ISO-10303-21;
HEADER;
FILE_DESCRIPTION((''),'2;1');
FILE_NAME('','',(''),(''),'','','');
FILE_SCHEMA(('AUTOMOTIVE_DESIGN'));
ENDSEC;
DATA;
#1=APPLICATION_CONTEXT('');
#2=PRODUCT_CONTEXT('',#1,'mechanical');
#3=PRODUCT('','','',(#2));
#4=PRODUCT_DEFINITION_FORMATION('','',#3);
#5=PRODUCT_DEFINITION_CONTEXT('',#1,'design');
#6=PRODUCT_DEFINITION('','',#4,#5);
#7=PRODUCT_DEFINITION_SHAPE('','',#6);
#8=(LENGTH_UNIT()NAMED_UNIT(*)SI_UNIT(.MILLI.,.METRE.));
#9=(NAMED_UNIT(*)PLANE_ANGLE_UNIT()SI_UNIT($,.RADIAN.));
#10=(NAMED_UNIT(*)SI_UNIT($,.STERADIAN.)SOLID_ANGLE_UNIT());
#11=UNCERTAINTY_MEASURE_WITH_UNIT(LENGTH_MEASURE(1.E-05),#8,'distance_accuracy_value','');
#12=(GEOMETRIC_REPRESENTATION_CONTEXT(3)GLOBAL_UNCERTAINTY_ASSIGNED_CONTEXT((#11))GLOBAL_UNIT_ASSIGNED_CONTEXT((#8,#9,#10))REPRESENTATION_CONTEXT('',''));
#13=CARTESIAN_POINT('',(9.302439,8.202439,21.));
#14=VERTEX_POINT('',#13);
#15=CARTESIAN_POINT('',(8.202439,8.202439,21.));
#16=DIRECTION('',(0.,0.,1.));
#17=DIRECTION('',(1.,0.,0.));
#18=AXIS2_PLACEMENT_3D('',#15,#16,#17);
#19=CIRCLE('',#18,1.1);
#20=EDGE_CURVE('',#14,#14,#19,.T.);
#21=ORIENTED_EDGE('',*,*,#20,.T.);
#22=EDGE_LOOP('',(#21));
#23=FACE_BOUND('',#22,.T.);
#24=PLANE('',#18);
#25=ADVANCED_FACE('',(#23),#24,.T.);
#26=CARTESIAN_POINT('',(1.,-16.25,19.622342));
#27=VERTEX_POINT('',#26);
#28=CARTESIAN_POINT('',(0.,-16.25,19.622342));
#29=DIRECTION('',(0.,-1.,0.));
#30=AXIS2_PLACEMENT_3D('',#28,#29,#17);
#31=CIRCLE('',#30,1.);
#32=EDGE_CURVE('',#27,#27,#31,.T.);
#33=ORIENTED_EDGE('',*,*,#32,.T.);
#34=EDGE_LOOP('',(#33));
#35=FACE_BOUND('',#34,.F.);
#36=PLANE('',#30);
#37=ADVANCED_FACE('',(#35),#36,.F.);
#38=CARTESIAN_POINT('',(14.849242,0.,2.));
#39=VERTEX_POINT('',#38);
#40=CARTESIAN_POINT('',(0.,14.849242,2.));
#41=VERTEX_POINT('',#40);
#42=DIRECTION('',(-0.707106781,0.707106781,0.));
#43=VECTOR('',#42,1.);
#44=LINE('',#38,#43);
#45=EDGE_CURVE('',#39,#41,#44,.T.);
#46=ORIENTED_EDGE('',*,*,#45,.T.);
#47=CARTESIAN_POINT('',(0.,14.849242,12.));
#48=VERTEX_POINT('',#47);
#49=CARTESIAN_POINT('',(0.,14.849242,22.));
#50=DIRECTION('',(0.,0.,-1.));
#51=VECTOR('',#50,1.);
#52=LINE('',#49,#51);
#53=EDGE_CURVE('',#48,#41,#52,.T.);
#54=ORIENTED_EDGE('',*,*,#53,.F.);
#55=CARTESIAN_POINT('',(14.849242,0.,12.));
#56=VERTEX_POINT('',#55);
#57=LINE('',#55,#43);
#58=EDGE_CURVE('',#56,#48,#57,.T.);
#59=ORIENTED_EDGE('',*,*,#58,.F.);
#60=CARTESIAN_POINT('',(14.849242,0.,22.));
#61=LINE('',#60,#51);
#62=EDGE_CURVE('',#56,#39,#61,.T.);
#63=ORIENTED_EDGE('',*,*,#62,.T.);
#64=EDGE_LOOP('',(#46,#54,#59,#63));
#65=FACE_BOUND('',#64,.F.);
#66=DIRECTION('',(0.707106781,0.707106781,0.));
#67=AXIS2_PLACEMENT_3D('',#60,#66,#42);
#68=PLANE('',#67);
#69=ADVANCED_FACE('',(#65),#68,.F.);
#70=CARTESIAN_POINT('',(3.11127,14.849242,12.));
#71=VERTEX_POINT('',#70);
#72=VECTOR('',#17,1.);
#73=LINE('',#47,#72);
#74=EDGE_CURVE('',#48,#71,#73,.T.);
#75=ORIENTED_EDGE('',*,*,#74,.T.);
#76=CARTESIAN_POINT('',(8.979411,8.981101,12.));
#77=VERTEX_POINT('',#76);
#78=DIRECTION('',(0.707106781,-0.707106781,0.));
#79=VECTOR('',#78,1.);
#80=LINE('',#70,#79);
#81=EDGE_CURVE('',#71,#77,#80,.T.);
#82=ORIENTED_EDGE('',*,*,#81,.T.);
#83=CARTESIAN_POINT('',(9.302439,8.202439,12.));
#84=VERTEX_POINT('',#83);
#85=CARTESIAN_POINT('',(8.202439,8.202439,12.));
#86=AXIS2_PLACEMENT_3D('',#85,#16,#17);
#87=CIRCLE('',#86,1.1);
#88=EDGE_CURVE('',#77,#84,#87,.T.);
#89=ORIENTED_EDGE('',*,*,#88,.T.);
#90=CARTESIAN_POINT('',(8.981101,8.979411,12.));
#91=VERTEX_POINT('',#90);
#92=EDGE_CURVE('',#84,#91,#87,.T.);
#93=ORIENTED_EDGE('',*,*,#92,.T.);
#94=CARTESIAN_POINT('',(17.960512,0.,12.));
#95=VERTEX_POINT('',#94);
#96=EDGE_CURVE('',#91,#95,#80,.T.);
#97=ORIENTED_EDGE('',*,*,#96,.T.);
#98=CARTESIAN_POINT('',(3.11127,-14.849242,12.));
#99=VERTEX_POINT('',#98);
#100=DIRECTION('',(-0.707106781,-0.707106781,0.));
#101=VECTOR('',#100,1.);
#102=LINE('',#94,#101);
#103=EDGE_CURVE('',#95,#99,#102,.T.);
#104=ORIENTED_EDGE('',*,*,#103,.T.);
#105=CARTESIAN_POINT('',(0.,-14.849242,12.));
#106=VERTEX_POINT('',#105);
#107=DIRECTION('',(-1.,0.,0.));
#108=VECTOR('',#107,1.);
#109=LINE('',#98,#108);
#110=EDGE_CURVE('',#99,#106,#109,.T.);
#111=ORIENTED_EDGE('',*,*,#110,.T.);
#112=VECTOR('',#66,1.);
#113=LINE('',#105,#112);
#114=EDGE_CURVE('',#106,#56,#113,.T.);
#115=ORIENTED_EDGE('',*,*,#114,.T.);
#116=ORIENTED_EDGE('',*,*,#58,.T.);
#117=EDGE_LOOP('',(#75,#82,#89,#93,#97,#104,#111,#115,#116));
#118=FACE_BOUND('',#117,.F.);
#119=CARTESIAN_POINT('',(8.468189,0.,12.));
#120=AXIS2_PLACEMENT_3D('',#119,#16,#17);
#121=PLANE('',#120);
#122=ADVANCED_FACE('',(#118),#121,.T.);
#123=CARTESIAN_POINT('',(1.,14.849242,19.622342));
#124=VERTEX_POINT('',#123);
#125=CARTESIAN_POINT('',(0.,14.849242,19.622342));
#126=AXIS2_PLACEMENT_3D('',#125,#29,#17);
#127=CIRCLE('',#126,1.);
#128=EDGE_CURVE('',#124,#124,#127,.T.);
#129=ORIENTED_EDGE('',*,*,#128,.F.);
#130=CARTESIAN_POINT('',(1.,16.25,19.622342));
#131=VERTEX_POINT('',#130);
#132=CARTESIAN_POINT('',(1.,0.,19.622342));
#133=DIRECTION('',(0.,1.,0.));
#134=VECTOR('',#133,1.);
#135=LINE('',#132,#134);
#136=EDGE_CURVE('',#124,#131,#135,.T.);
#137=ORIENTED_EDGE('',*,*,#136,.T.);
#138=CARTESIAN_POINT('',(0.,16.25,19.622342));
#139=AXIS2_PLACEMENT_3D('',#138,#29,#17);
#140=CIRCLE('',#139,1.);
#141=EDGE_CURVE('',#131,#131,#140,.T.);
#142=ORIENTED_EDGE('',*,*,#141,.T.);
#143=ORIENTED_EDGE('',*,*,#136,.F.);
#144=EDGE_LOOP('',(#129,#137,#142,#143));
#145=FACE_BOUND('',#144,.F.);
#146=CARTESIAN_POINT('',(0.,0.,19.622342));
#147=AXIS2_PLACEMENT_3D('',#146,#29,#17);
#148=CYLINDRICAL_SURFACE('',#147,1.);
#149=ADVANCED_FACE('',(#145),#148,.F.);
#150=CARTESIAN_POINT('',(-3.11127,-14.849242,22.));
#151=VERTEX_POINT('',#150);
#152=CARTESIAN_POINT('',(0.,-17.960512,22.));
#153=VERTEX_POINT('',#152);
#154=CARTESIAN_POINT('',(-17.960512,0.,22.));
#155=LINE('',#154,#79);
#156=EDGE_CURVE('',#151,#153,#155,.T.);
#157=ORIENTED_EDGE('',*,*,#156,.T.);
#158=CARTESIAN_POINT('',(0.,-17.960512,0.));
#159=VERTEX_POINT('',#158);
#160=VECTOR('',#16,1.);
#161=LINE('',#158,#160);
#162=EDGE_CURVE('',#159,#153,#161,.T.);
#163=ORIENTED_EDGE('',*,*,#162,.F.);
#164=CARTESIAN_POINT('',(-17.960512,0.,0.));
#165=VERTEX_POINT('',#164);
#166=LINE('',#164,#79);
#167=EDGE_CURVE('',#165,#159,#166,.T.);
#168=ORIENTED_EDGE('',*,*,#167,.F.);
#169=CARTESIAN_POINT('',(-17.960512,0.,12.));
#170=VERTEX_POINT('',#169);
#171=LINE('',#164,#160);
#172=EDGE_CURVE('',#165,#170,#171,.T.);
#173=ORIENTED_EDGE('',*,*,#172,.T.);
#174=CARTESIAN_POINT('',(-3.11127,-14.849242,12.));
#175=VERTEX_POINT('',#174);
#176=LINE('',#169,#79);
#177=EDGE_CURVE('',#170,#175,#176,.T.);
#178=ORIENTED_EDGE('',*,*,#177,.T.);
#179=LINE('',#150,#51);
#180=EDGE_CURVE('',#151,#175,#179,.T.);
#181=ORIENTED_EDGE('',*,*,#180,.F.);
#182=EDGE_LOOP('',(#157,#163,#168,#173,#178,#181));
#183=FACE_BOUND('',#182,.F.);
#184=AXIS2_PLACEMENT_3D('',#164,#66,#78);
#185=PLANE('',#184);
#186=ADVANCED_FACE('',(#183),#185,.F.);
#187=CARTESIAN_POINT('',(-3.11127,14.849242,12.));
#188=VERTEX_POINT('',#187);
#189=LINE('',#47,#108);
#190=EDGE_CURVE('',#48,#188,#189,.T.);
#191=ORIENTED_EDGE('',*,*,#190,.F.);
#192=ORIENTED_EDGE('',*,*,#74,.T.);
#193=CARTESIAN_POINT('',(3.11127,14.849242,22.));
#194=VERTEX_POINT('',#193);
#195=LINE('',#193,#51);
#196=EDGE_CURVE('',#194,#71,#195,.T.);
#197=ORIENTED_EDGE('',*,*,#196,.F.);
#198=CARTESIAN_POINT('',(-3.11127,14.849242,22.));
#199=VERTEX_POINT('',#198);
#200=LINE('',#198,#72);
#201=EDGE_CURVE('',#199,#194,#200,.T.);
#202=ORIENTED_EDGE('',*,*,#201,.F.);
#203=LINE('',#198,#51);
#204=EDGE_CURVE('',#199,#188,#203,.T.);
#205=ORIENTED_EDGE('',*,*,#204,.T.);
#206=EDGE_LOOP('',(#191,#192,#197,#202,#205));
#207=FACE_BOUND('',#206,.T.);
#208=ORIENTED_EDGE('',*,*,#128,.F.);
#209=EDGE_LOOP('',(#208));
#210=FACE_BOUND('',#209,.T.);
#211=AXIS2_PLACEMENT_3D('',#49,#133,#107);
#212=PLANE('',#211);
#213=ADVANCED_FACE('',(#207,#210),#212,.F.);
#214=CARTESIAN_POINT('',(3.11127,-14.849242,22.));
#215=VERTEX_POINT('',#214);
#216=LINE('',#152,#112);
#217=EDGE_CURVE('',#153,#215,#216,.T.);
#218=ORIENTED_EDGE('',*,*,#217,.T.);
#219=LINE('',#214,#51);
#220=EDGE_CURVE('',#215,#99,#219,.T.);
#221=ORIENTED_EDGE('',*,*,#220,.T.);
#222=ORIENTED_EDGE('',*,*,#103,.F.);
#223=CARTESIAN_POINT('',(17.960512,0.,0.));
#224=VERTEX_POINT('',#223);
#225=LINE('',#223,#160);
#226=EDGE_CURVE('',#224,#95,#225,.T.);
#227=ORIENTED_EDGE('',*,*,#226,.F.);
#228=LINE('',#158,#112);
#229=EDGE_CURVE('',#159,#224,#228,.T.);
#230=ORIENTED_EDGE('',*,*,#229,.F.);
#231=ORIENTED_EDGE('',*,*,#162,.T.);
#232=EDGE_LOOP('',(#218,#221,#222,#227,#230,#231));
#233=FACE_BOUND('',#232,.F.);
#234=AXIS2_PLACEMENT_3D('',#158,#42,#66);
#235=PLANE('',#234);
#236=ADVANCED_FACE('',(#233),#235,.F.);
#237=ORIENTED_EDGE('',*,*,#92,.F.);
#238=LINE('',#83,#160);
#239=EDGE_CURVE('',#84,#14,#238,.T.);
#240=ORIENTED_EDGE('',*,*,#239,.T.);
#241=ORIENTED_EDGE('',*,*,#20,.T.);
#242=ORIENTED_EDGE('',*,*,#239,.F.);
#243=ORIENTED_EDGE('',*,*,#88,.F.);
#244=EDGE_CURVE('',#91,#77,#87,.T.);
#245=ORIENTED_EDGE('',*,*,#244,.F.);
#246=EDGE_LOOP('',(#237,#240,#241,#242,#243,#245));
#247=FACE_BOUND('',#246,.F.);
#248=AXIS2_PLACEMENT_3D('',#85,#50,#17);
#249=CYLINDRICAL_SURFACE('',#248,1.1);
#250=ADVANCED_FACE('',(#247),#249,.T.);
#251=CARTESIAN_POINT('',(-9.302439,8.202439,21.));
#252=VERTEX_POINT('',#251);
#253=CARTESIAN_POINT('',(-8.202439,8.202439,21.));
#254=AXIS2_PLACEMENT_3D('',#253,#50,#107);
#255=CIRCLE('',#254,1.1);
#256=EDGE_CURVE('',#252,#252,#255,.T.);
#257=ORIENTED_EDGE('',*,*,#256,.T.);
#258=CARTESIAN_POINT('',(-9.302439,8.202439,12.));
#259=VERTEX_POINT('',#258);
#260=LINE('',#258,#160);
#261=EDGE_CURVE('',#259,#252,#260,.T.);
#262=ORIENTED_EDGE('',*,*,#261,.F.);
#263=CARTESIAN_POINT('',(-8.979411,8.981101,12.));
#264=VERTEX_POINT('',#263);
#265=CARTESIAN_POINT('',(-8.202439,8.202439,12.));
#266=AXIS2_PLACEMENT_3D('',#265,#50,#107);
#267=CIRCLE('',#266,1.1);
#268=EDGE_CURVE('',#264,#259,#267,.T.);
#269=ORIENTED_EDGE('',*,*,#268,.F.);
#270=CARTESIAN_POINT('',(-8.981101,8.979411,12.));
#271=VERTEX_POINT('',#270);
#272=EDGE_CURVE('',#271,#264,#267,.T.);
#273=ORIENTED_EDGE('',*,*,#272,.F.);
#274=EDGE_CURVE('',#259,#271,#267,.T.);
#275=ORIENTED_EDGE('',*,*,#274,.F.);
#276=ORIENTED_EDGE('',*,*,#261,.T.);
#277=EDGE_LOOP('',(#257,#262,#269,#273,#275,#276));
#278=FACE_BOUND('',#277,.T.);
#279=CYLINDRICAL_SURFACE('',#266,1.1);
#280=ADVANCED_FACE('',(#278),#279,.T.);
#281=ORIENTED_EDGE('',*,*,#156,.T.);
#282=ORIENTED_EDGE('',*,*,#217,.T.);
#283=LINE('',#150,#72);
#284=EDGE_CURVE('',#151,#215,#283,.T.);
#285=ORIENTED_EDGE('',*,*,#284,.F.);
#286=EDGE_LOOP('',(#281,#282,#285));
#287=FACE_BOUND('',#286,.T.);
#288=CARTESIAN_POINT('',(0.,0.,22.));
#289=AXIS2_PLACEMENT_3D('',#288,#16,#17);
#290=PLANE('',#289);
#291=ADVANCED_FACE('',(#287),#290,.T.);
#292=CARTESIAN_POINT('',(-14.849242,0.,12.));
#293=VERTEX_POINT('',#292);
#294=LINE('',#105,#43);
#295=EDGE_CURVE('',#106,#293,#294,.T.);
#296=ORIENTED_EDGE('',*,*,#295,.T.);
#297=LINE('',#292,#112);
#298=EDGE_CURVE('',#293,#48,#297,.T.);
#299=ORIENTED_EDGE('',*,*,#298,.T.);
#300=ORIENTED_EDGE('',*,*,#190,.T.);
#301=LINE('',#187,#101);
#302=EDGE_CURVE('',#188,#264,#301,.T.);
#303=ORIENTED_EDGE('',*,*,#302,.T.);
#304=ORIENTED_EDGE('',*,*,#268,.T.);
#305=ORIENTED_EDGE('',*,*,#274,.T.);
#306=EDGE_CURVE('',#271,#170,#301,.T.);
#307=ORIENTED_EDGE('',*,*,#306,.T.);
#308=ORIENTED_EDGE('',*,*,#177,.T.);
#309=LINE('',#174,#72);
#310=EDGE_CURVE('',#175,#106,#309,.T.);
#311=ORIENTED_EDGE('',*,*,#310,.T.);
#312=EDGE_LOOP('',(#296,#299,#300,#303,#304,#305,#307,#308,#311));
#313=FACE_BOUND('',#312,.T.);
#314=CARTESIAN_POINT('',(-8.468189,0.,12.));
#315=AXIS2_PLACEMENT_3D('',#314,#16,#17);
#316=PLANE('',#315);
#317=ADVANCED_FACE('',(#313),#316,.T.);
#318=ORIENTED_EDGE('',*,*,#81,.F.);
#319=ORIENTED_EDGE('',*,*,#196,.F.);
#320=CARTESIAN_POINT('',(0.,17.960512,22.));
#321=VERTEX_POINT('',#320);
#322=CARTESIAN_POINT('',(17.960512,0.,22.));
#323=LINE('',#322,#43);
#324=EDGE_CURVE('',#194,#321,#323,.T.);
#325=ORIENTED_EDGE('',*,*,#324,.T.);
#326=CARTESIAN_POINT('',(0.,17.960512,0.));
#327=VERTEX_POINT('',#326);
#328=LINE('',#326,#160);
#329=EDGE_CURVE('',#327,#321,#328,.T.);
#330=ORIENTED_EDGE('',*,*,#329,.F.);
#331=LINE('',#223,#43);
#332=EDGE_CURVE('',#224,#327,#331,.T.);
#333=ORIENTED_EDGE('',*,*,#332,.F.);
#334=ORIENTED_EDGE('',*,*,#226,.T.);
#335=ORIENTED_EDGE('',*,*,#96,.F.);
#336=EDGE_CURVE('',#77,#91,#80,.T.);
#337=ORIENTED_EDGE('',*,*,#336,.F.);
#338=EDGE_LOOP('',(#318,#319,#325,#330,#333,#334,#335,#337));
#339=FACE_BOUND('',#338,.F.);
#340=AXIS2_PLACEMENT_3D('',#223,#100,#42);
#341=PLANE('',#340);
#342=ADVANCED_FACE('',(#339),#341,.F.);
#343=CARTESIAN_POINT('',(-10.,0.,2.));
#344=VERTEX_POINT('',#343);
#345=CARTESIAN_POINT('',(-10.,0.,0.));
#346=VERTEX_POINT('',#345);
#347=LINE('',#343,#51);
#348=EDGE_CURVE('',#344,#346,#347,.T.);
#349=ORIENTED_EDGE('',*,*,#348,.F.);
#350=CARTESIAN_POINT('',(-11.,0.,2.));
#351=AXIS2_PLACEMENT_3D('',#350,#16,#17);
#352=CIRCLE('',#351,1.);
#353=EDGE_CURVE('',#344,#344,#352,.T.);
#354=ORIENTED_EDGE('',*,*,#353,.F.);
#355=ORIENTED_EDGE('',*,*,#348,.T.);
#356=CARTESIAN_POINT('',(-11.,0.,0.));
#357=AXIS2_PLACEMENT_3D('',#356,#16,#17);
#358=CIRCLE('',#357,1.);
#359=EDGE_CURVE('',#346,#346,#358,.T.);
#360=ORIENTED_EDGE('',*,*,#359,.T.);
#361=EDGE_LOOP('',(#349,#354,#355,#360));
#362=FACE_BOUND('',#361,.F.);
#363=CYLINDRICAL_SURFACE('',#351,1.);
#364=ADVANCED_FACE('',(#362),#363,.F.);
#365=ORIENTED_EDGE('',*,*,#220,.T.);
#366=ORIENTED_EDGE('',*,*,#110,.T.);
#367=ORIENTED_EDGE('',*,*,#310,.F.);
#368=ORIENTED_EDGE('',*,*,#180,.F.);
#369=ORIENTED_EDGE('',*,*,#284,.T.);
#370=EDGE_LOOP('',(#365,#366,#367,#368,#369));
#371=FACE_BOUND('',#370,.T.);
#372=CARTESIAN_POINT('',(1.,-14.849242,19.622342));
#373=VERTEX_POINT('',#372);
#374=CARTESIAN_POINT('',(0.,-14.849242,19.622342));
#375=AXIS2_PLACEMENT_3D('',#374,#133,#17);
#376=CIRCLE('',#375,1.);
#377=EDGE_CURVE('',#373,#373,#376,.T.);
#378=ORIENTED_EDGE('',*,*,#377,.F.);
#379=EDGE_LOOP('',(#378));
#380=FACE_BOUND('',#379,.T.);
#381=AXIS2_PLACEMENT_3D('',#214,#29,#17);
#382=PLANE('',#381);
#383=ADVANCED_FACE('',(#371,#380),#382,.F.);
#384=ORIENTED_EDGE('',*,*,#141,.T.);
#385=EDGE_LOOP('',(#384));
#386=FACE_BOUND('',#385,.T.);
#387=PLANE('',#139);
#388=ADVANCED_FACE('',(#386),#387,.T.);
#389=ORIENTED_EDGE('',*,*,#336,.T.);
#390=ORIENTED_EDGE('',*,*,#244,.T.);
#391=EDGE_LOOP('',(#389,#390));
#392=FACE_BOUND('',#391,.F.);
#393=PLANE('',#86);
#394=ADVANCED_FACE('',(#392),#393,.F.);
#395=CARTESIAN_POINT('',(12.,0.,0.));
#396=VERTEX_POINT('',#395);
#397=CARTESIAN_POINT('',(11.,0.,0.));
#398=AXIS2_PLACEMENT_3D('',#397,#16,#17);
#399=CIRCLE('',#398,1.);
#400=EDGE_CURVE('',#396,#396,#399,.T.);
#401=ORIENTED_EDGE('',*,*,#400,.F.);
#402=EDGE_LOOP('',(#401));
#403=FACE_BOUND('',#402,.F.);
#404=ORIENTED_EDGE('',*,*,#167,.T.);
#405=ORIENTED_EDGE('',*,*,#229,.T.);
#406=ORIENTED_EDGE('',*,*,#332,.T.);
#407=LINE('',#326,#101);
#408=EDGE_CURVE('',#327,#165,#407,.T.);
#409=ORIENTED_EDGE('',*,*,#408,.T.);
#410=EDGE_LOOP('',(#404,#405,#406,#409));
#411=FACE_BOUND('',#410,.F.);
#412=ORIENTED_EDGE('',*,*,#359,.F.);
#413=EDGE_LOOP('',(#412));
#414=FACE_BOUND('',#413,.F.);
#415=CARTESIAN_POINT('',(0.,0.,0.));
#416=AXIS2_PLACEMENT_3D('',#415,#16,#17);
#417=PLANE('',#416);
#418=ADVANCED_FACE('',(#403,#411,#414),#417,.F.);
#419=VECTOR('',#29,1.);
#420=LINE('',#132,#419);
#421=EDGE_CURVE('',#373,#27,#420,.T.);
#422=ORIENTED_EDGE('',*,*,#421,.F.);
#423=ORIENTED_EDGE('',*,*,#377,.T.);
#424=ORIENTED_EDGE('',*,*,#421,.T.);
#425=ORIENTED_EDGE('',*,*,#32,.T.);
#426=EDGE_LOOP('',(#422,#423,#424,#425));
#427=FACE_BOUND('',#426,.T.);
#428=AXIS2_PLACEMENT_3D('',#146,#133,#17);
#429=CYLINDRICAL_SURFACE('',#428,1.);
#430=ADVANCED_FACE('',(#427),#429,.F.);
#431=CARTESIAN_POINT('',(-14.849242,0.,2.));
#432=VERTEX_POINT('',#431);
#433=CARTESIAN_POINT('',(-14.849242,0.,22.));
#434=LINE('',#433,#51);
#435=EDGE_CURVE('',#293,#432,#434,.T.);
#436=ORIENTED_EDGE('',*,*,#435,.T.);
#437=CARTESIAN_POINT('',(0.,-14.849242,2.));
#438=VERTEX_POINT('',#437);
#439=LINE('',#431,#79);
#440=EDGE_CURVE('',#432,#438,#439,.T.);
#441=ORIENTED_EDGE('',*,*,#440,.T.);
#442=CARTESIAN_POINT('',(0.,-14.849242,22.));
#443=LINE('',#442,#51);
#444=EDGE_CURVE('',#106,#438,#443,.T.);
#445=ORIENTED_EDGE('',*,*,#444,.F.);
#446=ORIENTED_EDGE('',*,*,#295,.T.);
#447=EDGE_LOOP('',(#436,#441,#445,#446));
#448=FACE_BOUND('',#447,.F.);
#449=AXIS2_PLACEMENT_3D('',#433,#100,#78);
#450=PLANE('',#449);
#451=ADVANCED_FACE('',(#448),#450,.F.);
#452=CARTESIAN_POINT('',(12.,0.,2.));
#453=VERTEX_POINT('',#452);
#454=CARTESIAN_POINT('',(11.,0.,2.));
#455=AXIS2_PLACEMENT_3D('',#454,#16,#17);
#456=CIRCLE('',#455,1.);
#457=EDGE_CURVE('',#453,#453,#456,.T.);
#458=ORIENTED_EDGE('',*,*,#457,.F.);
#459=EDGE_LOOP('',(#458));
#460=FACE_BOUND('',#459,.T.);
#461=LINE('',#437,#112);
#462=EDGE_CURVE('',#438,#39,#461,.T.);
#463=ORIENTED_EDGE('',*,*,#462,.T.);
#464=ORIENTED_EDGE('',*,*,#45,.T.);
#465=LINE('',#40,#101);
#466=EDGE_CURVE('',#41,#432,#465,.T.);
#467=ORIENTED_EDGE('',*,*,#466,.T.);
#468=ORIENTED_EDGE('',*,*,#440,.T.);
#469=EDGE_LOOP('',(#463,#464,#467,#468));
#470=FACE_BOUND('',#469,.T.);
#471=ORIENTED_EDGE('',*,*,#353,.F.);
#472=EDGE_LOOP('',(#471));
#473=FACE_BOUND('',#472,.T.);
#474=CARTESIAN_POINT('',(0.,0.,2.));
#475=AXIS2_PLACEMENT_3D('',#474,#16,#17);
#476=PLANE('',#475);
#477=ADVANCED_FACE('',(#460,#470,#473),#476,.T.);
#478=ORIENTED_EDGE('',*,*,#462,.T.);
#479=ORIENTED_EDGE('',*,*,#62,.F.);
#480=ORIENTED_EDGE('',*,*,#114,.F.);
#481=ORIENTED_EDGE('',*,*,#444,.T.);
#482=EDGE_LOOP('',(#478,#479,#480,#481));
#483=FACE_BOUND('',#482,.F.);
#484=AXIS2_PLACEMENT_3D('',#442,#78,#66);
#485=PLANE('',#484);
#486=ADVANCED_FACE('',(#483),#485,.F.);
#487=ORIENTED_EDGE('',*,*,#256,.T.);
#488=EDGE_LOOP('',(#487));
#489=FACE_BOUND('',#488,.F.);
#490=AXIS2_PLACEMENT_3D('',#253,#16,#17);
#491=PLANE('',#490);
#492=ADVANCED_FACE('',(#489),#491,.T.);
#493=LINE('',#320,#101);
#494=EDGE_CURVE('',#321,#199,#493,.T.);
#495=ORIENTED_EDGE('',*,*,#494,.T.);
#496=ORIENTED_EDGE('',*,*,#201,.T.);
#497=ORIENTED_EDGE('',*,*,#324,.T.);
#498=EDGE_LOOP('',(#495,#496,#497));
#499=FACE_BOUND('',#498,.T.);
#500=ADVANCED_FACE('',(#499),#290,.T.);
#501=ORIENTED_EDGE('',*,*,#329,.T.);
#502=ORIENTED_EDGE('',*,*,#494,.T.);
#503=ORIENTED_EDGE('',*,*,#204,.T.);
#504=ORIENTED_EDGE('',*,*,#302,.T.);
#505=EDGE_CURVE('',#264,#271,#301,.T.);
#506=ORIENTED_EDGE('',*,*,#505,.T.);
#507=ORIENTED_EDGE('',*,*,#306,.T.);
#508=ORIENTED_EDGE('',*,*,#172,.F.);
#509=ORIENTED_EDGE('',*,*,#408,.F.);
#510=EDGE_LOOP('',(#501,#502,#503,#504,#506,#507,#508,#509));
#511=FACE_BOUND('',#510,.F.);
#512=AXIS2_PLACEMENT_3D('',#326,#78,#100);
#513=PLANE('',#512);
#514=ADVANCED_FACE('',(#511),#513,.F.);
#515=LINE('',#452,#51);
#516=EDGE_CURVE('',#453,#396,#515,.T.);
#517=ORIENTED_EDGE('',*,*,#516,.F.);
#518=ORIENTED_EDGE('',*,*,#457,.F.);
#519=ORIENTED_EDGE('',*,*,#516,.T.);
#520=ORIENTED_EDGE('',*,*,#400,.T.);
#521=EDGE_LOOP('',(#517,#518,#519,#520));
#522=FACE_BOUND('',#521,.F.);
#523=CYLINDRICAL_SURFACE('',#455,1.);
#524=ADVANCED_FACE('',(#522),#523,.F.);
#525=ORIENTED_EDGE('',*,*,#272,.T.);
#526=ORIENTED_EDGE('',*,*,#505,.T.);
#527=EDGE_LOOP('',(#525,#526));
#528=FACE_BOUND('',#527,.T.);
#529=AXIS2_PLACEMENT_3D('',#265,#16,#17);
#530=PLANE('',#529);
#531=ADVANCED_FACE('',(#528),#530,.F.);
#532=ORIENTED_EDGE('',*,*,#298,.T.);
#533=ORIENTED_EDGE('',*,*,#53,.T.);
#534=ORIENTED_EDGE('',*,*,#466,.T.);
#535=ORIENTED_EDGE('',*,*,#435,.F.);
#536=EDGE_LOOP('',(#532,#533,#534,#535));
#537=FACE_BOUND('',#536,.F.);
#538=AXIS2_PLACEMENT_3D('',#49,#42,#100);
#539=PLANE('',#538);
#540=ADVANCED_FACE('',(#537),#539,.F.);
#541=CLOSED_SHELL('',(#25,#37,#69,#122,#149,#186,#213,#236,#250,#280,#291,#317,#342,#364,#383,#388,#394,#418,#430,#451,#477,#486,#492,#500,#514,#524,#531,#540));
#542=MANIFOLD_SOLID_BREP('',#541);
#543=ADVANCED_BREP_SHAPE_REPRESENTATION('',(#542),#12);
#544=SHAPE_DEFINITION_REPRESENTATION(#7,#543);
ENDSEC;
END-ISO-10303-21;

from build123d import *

# Parameters (mm, degrees)
PAD_DEPTH            = 22
POCKET_DEPTH         = 20
POCKET001_DEPTH      = 10
SKETCH003_R          = 1
POCKET002_DEPTH      = 16.25
POCKET002_DEPTH_BACK = -16.25
SKETCH004_R          = 1.1
PAD001_DEPTH         = 9
SKETCH005_R          = 1
POCKET003_DEPTH      = 5


with BuildPart() as part:
    # Sketch → Pad (new body)
    with BuildSketch(Plane.XY):
        Polygon((0, -17.960512), (17.960512, 0), (0, 17.960512), (-17.960512, 0), align=None)
    extrude(amount=PAD_DEPTH)

    # Sketch001 (on Face6 of Pad) → Pocket (cut)
    with BuildSketch(Plane.XY.offset(22)):
        Polygon((0, 14.849242), (-14.849242, 0), (0, -14.849242), (14.849242, 0), align=None)
    extrude(amount=-POCKET_DEPTH, mode=Mode.SUBTRACT)

    # Sketch002 (on Face5 of Pocket) → Pocket001 (cut)
    with BuildSketch(Plane.XY.offset(22)):
        Polygon((-3.11127, 14.849242), (-17.960512, 0), (-3.11127, -14.849242), (0, -14.849242), (-14.849242, 0), (0, 14.849242), align=None)
    pocket001 = extrude(amount=-POCKET001_DEPTH, mode=Mode.SUBTRACT)

    # Mirrored: Pocket001 across YZ
    add(pocket001.mirror(Plane.YZ), mode=Mode.SUBTRACT)

    # Sketch003 → Pocket002 (cut, two sides)
    with BuildSketch(Plane.XZ) as pocket002_sk:
        with Locations((0, 19.622342)):
            Circle(SKETCH003_R)
    extrude(amount=-POCKET002_DEPTH, mode=Mode.SUBTRACT)
    extrude(pocket002_sk.sketch, amount=-POCKET002_DEPTH_BACK, mode=Mode.SUBTRACT)

    # Sketch004 (on Face15 of Pocket002) → Pad001 (join)
    with BuildSketch(Plane.XY.offset(12)):
        with Locations((8.202439, 8.202439)):
            Circle(SKETCH004_R)
    pad001 = extrude(amount=PAD001_DEPTH)

    # Mirrored001: Pad001 across YZ
    add(pad001.mirror(Plane.YZ))

    # Sketch005 (on Face21 of Mirrored001) → Pocket003 (cut)
    with BuildSketch(Plane.XY.offset(2)):
        with Locations((-11, 0)):
            Circle(SKETCH005_R)
        with Locations((11, 0)):
            Circle(SKETCH005_R)
    extrude(amount=-POCKET003_DEPTH, mode=Mode.SUBTRACT)


solid = part.part
